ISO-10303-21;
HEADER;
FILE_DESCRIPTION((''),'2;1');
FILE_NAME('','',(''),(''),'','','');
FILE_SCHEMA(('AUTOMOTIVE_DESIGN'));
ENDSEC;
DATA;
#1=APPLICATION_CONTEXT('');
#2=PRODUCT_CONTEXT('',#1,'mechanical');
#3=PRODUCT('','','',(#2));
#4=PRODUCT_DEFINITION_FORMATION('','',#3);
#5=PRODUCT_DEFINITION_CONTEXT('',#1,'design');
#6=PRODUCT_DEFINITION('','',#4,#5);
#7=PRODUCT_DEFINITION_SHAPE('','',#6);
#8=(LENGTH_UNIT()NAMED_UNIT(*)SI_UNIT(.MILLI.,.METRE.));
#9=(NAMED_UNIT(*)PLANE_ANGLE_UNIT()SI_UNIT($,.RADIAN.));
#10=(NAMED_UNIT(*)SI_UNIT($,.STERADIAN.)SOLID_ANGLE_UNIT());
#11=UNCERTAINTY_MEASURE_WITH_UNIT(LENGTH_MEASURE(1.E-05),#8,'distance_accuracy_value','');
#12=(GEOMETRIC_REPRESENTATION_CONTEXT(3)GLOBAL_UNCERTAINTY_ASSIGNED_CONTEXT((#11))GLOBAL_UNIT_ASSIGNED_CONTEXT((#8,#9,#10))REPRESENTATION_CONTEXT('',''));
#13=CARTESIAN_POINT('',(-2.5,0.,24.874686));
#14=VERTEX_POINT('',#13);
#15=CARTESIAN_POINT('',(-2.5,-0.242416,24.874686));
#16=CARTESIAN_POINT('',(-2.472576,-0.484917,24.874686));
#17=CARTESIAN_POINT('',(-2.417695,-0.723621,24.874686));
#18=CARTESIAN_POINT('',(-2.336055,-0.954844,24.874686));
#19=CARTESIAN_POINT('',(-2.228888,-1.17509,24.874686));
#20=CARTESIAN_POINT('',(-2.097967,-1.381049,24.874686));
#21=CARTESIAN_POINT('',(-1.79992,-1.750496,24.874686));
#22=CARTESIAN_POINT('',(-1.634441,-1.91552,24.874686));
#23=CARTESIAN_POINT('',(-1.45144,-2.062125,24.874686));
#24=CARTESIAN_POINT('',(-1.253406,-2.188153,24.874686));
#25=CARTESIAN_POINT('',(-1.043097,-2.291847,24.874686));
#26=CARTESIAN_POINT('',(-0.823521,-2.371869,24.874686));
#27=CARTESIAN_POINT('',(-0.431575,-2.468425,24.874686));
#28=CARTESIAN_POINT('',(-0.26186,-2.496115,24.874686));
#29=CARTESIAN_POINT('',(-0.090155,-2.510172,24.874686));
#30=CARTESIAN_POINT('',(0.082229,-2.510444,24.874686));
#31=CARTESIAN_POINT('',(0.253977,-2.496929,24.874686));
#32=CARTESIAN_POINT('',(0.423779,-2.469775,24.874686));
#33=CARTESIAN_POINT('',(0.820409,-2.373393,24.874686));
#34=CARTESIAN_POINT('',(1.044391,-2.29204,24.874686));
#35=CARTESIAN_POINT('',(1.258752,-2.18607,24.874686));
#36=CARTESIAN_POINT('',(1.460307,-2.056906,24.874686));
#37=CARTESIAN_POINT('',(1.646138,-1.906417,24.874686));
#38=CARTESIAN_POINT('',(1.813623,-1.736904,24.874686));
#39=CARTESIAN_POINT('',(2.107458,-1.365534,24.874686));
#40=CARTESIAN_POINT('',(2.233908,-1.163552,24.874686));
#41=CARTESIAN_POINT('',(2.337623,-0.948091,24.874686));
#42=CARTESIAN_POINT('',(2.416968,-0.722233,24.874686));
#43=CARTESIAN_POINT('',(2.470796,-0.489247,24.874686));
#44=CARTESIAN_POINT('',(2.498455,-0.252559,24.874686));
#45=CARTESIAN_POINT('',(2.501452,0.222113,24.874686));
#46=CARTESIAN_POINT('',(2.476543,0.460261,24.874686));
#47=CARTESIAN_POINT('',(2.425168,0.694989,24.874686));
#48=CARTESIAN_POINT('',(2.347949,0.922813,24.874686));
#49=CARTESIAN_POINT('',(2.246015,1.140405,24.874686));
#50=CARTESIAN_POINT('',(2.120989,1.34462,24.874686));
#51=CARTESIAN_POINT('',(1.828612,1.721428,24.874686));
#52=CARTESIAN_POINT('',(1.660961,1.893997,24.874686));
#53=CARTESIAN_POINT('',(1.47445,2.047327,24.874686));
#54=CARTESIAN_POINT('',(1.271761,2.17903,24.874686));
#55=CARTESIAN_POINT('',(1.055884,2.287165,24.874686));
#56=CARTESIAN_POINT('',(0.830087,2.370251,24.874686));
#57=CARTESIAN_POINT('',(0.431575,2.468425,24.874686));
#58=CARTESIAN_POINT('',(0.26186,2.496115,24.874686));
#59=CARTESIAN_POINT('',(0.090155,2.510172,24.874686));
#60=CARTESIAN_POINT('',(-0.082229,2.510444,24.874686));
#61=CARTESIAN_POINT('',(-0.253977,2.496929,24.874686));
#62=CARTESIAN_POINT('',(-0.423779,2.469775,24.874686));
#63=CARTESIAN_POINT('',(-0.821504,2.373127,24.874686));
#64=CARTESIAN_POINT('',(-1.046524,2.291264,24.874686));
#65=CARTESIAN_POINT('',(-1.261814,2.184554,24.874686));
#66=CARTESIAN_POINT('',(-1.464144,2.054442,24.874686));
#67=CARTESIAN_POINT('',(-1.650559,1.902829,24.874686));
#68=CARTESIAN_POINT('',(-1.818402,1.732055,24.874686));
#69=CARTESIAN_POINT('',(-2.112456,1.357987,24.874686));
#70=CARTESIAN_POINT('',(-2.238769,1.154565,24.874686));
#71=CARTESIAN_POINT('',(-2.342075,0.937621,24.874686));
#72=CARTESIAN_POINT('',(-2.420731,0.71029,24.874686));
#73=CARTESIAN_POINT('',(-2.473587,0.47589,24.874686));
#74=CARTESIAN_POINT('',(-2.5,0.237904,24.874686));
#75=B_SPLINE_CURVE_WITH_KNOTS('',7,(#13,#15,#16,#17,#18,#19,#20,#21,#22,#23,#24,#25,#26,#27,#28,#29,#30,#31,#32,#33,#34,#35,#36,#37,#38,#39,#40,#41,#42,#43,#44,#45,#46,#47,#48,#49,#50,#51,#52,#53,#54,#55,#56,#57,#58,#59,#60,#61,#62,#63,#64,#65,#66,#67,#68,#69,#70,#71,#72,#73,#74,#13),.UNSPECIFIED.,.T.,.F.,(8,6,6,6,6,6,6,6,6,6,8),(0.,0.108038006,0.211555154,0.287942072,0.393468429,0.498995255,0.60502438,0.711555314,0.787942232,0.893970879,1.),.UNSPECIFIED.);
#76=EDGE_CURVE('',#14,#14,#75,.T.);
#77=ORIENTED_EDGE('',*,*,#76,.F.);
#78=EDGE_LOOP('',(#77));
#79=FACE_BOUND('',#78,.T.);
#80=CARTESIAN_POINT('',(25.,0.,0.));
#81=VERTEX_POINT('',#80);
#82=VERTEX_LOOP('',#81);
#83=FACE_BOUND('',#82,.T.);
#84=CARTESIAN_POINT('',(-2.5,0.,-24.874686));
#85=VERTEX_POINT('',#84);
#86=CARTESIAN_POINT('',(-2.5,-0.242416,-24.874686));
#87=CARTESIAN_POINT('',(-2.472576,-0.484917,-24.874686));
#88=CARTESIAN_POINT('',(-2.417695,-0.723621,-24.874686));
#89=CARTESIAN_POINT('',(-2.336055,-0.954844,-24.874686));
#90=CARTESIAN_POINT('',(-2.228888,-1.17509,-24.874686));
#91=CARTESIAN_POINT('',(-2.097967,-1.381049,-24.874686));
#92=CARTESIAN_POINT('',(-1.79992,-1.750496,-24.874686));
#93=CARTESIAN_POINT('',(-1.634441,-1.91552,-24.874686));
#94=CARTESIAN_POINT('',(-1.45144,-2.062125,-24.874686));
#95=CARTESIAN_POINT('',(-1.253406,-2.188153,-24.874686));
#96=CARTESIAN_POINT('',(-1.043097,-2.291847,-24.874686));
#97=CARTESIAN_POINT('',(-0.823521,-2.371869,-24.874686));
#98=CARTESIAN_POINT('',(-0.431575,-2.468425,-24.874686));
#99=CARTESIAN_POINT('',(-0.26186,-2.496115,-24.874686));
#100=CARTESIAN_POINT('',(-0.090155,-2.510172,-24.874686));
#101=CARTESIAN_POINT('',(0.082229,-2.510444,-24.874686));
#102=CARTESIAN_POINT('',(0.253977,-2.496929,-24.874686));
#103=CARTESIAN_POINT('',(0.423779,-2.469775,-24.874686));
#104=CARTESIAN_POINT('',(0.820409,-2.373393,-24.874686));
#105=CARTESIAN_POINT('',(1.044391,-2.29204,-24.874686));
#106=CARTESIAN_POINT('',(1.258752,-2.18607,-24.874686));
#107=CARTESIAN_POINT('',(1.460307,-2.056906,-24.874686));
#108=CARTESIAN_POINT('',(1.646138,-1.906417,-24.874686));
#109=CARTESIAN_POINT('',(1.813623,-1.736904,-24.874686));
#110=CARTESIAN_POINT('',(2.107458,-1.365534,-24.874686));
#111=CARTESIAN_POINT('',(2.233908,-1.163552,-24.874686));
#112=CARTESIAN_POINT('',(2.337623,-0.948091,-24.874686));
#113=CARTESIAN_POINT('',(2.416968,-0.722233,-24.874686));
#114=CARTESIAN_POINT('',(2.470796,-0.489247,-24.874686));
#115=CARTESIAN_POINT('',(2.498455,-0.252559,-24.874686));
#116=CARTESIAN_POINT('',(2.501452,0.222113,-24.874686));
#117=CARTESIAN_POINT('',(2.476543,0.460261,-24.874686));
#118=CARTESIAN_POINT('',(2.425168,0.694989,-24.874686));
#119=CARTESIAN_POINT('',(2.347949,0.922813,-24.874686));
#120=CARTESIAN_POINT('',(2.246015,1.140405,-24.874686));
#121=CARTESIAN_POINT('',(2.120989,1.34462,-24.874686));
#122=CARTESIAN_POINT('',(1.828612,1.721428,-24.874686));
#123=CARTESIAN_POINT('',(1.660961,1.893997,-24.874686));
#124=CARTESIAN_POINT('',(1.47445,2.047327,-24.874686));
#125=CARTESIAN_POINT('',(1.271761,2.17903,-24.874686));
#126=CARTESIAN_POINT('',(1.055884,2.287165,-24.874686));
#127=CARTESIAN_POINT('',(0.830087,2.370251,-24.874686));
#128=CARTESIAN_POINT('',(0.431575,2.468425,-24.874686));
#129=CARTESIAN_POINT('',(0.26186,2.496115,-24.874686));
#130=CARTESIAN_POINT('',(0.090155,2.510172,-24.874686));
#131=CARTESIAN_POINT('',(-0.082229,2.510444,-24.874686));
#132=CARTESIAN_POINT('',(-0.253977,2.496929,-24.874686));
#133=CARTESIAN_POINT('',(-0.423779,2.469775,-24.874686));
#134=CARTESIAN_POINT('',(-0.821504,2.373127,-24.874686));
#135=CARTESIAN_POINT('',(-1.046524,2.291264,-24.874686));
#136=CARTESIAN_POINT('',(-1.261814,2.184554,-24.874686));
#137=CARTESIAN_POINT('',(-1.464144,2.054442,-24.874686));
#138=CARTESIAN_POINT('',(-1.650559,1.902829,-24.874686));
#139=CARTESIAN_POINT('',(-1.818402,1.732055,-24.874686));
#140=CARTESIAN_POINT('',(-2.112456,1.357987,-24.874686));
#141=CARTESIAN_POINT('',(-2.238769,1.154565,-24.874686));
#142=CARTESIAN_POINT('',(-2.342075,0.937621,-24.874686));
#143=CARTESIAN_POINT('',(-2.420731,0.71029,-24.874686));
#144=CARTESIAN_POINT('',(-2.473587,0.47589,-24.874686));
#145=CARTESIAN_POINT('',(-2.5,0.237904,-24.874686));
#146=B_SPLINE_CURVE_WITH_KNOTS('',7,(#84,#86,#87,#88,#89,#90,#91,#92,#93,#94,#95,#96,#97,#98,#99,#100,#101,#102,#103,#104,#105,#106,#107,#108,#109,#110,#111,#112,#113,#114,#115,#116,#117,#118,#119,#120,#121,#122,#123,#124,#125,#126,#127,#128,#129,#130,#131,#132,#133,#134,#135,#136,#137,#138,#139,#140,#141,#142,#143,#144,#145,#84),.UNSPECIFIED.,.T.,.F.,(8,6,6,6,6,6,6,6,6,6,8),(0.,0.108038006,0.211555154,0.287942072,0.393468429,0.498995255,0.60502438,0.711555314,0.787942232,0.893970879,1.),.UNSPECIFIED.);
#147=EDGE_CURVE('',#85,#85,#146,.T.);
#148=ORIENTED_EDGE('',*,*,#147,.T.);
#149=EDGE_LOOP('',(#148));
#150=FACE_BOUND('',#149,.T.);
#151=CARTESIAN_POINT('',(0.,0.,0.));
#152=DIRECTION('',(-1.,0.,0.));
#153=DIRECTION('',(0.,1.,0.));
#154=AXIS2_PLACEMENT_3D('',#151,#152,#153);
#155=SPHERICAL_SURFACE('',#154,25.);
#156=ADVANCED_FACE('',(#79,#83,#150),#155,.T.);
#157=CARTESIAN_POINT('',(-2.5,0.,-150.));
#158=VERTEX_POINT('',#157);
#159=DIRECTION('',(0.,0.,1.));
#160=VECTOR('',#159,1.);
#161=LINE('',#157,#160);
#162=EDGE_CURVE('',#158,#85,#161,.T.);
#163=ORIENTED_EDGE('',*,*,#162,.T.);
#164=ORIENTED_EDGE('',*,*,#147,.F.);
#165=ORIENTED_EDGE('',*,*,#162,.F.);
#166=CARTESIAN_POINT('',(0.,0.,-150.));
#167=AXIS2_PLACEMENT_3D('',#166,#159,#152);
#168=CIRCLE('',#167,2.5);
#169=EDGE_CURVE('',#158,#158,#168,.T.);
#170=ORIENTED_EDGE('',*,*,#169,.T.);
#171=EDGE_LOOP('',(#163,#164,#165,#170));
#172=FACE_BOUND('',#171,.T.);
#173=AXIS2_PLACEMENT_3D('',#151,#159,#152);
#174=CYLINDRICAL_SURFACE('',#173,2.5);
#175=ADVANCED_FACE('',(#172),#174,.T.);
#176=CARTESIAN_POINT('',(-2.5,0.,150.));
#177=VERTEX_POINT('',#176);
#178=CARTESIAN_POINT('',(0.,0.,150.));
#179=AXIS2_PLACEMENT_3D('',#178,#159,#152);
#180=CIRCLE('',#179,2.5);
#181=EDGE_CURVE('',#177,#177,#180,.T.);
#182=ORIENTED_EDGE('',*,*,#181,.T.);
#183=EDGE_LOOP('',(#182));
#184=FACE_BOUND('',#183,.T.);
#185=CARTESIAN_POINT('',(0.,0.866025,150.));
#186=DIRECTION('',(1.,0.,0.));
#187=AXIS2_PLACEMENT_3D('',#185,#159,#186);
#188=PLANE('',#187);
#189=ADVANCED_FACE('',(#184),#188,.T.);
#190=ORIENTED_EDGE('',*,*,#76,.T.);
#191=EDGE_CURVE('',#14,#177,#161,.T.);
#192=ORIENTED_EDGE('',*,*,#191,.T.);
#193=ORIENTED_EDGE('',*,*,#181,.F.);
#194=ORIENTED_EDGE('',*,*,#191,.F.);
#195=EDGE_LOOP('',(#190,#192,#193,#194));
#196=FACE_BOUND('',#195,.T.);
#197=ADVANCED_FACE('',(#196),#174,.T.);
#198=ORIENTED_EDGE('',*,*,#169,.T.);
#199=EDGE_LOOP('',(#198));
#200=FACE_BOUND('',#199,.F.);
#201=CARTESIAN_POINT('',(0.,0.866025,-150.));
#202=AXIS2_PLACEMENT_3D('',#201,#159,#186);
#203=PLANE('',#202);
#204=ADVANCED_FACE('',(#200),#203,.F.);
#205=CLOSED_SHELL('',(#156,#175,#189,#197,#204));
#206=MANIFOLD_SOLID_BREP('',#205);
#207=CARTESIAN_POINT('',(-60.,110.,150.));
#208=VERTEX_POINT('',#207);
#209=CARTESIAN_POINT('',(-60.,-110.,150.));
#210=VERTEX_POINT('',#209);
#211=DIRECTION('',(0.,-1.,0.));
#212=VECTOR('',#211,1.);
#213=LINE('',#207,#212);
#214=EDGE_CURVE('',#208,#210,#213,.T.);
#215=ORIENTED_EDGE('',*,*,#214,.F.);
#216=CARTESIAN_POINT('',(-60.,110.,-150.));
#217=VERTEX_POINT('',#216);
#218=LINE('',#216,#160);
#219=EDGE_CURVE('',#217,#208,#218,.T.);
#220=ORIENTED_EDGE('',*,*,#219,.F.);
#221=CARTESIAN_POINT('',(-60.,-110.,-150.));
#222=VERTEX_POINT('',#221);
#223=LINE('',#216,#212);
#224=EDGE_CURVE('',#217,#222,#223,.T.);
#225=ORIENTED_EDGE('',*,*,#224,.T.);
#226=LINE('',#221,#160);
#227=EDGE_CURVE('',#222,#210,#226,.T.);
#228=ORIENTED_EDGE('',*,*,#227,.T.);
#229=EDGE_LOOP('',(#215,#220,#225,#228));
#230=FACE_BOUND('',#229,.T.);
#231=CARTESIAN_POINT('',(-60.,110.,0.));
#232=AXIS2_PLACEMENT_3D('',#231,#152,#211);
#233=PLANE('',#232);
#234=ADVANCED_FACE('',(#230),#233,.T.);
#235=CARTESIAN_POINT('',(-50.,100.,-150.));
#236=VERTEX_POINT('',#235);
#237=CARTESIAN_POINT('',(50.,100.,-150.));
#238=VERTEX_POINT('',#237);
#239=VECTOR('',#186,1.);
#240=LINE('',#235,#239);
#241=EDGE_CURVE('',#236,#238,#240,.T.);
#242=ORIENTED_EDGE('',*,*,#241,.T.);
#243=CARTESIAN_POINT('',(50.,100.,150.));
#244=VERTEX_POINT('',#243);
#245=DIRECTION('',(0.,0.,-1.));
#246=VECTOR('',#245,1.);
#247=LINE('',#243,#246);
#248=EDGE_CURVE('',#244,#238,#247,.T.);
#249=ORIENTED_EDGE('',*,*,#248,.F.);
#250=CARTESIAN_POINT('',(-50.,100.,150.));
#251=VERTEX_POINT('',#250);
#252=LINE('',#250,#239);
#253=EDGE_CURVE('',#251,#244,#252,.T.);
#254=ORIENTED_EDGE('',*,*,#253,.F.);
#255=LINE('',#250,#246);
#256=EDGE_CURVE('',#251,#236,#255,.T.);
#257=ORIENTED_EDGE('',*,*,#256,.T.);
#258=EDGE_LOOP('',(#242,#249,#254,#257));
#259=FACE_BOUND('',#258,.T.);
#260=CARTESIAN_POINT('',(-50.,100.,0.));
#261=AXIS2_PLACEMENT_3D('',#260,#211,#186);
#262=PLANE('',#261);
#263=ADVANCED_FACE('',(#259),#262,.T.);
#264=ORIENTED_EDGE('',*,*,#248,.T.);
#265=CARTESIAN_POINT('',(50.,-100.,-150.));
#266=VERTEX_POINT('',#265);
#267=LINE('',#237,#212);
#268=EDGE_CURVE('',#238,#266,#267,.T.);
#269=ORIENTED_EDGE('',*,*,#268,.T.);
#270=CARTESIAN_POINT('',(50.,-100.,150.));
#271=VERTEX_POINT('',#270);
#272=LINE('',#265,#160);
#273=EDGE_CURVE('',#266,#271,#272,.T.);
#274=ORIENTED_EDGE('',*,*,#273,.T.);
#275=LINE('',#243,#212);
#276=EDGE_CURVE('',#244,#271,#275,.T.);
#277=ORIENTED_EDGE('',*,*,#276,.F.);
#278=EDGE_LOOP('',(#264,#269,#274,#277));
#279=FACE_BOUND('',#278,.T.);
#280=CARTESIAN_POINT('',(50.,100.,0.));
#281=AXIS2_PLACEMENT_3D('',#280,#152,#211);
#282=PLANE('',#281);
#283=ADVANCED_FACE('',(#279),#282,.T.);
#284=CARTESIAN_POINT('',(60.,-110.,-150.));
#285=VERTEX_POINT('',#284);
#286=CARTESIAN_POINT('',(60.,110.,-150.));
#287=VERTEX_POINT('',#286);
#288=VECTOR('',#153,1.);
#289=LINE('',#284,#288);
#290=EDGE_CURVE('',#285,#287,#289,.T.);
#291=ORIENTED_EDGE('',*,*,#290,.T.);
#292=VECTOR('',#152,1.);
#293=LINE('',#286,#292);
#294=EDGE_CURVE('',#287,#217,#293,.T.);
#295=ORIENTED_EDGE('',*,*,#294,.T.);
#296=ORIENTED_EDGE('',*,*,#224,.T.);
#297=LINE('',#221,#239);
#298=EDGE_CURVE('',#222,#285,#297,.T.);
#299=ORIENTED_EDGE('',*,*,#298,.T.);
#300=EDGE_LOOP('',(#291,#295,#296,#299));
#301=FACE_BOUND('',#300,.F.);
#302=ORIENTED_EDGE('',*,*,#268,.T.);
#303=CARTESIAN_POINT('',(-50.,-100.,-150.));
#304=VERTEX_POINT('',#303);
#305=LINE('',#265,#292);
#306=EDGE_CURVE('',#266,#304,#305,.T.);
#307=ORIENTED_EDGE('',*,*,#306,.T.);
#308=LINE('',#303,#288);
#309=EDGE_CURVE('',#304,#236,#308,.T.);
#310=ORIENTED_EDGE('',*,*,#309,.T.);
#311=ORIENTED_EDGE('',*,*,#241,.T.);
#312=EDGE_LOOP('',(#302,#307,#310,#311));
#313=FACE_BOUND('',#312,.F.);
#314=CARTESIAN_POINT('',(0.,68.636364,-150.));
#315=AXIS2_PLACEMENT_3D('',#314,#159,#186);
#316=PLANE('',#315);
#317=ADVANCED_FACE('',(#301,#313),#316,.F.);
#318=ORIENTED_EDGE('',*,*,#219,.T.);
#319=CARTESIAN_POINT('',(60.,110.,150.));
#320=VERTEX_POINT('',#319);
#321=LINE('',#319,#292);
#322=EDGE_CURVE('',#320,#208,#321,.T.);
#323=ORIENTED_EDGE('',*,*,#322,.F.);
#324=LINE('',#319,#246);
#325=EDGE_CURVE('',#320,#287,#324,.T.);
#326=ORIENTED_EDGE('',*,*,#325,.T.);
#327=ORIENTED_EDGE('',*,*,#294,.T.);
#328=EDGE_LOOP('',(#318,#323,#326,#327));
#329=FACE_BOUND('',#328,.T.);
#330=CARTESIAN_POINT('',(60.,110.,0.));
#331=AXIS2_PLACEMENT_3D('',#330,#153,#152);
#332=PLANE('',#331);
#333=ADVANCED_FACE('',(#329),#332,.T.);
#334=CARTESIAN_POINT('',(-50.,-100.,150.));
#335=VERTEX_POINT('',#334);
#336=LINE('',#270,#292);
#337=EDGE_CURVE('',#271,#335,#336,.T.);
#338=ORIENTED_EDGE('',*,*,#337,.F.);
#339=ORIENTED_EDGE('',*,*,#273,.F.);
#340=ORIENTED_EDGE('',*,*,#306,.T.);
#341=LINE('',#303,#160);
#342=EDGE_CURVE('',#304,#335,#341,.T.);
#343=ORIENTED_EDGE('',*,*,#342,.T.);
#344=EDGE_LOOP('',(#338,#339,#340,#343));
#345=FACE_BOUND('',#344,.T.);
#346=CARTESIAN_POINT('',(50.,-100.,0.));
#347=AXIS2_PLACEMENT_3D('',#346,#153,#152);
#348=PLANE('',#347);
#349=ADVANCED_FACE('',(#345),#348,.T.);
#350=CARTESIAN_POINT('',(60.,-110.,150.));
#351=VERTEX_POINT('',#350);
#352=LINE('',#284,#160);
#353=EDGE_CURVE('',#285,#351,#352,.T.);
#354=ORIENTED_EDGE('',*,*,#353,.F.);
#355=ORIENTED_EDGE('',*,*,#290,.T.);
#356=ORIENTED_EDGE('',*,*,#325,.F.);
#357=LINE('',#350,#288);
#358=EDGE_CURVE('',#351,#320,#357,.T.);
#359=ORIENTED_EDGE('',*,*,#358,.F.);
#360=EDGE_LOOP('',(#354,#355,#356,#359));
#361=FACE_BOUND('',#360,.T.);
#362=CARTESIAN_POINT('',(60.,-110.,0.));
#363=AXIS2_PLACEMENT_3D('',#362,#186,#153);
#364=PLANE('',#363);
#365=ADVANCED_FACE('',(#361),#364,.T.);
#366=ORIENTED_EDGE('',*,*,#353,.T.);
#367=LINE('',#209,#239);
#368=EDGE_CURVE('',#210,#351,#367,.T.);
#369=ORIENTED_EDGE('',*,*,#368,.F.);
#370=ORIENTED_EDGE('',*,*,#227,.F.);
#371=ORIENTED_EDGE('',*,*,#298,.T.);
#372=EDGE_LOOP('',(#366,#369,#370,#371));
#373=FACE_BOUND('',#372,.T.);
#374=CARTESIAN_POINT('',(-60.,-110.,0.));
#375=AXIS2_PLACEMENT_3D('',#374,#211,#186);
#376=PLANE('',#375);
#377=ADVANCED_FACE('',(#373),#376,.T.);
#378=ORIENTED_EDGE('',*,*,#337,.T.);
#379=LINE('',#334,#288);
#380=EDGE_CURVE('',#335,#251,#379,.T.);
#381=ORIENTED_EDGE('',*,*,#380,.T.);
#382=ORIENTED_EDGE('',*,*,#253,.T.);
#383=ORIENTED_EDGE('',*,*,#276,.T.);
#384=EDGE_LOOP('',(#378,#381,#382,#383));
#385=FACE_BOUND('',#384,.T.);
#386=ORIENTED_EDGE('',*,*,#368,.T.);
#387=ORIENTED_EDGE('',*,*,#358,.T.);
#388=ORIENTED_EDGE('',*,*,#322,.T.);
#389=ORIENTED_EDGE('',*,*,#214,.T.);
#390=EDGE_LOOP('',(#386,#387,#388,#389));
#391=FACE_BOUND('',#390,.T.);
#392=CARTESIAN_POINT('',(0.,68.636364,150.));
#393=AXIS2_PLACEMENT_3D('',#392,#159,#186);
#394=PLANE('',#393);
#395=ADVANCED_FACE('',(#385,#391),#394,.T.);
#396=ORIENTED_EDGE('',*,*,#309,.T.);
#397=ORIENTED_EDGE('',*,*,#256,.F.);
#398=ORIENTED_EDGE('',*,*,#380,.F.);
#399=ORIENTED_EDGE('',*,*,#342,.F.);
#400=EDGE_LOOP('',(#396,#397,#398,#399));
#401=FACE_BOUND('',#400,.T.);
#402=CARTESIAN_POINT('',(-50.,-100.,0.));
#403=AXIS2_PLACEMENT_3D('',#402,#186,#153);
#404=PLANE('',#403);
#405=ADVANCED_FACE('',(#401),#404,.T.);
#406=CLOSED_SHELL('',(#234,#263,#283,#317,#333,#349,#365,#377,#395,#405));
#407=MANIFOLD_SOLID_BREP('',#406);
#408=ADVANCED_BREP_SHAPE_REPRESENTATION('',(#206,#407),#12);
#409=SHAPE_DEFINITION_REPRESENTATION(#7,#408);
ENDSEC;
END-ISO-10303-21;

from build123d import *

# Parameters (mm, degrees)
F1_DEPTH      = 150
F1_DEPTH_BACK = 150


with BuildPart() as f1:
    # F0 (on Top) → F1 (new body, two sides)
    with BuildSketch(Plane.XY) as f1_sk:
        with BuildLine():
            Line((0, 0), (2.5, 0))
            ThreePointArc((2.5, 0), (0, 2.5), (-2.5, 0))
            Line((-2.5, 0), (0, 0))
        make_face()
        with BuildLine():
            ThreePointArc((-2.5, 0), (0, -2.5), (2.5, 0))
            Line((2.5, 0), (0, 0))
            Line((0, 0), (-2.5, 0))
        make_face()
        Polygon((50, 100), (50, 0), (60, 0), (60, 110), (-60, 110), (-60, 0), (-50, 0), (-50, 100), align=None)
        Polygon((60, 0), (50, 0), (50, -100), (-50, -100), (-50, 0), (-60, 0), (-60, -110), (60, -110), align=None)
    extrude(amount=F1_DEPTH)
    extrude(f1_sk.sketch, amount=-F1_DEPTH_BACK)

    # F0 (on Top) → F2 (revolve)
    with BuildSketch(Plane.XY):
        with BuildLine():
            Line((2.5, 0), (25, 0))
            ThreePointArc((25, 0), (0, 25), (-25, 0))
            Line((-25, 0), (-2.5, 0))
            ThreePointArc((-2.5, 0), (0, 2.5), (2.5, 0))
        make_face()
    revolve(axis=Axis((-33.854749, 0, 0), (-1, 0, 0)))


solid = f1.part
